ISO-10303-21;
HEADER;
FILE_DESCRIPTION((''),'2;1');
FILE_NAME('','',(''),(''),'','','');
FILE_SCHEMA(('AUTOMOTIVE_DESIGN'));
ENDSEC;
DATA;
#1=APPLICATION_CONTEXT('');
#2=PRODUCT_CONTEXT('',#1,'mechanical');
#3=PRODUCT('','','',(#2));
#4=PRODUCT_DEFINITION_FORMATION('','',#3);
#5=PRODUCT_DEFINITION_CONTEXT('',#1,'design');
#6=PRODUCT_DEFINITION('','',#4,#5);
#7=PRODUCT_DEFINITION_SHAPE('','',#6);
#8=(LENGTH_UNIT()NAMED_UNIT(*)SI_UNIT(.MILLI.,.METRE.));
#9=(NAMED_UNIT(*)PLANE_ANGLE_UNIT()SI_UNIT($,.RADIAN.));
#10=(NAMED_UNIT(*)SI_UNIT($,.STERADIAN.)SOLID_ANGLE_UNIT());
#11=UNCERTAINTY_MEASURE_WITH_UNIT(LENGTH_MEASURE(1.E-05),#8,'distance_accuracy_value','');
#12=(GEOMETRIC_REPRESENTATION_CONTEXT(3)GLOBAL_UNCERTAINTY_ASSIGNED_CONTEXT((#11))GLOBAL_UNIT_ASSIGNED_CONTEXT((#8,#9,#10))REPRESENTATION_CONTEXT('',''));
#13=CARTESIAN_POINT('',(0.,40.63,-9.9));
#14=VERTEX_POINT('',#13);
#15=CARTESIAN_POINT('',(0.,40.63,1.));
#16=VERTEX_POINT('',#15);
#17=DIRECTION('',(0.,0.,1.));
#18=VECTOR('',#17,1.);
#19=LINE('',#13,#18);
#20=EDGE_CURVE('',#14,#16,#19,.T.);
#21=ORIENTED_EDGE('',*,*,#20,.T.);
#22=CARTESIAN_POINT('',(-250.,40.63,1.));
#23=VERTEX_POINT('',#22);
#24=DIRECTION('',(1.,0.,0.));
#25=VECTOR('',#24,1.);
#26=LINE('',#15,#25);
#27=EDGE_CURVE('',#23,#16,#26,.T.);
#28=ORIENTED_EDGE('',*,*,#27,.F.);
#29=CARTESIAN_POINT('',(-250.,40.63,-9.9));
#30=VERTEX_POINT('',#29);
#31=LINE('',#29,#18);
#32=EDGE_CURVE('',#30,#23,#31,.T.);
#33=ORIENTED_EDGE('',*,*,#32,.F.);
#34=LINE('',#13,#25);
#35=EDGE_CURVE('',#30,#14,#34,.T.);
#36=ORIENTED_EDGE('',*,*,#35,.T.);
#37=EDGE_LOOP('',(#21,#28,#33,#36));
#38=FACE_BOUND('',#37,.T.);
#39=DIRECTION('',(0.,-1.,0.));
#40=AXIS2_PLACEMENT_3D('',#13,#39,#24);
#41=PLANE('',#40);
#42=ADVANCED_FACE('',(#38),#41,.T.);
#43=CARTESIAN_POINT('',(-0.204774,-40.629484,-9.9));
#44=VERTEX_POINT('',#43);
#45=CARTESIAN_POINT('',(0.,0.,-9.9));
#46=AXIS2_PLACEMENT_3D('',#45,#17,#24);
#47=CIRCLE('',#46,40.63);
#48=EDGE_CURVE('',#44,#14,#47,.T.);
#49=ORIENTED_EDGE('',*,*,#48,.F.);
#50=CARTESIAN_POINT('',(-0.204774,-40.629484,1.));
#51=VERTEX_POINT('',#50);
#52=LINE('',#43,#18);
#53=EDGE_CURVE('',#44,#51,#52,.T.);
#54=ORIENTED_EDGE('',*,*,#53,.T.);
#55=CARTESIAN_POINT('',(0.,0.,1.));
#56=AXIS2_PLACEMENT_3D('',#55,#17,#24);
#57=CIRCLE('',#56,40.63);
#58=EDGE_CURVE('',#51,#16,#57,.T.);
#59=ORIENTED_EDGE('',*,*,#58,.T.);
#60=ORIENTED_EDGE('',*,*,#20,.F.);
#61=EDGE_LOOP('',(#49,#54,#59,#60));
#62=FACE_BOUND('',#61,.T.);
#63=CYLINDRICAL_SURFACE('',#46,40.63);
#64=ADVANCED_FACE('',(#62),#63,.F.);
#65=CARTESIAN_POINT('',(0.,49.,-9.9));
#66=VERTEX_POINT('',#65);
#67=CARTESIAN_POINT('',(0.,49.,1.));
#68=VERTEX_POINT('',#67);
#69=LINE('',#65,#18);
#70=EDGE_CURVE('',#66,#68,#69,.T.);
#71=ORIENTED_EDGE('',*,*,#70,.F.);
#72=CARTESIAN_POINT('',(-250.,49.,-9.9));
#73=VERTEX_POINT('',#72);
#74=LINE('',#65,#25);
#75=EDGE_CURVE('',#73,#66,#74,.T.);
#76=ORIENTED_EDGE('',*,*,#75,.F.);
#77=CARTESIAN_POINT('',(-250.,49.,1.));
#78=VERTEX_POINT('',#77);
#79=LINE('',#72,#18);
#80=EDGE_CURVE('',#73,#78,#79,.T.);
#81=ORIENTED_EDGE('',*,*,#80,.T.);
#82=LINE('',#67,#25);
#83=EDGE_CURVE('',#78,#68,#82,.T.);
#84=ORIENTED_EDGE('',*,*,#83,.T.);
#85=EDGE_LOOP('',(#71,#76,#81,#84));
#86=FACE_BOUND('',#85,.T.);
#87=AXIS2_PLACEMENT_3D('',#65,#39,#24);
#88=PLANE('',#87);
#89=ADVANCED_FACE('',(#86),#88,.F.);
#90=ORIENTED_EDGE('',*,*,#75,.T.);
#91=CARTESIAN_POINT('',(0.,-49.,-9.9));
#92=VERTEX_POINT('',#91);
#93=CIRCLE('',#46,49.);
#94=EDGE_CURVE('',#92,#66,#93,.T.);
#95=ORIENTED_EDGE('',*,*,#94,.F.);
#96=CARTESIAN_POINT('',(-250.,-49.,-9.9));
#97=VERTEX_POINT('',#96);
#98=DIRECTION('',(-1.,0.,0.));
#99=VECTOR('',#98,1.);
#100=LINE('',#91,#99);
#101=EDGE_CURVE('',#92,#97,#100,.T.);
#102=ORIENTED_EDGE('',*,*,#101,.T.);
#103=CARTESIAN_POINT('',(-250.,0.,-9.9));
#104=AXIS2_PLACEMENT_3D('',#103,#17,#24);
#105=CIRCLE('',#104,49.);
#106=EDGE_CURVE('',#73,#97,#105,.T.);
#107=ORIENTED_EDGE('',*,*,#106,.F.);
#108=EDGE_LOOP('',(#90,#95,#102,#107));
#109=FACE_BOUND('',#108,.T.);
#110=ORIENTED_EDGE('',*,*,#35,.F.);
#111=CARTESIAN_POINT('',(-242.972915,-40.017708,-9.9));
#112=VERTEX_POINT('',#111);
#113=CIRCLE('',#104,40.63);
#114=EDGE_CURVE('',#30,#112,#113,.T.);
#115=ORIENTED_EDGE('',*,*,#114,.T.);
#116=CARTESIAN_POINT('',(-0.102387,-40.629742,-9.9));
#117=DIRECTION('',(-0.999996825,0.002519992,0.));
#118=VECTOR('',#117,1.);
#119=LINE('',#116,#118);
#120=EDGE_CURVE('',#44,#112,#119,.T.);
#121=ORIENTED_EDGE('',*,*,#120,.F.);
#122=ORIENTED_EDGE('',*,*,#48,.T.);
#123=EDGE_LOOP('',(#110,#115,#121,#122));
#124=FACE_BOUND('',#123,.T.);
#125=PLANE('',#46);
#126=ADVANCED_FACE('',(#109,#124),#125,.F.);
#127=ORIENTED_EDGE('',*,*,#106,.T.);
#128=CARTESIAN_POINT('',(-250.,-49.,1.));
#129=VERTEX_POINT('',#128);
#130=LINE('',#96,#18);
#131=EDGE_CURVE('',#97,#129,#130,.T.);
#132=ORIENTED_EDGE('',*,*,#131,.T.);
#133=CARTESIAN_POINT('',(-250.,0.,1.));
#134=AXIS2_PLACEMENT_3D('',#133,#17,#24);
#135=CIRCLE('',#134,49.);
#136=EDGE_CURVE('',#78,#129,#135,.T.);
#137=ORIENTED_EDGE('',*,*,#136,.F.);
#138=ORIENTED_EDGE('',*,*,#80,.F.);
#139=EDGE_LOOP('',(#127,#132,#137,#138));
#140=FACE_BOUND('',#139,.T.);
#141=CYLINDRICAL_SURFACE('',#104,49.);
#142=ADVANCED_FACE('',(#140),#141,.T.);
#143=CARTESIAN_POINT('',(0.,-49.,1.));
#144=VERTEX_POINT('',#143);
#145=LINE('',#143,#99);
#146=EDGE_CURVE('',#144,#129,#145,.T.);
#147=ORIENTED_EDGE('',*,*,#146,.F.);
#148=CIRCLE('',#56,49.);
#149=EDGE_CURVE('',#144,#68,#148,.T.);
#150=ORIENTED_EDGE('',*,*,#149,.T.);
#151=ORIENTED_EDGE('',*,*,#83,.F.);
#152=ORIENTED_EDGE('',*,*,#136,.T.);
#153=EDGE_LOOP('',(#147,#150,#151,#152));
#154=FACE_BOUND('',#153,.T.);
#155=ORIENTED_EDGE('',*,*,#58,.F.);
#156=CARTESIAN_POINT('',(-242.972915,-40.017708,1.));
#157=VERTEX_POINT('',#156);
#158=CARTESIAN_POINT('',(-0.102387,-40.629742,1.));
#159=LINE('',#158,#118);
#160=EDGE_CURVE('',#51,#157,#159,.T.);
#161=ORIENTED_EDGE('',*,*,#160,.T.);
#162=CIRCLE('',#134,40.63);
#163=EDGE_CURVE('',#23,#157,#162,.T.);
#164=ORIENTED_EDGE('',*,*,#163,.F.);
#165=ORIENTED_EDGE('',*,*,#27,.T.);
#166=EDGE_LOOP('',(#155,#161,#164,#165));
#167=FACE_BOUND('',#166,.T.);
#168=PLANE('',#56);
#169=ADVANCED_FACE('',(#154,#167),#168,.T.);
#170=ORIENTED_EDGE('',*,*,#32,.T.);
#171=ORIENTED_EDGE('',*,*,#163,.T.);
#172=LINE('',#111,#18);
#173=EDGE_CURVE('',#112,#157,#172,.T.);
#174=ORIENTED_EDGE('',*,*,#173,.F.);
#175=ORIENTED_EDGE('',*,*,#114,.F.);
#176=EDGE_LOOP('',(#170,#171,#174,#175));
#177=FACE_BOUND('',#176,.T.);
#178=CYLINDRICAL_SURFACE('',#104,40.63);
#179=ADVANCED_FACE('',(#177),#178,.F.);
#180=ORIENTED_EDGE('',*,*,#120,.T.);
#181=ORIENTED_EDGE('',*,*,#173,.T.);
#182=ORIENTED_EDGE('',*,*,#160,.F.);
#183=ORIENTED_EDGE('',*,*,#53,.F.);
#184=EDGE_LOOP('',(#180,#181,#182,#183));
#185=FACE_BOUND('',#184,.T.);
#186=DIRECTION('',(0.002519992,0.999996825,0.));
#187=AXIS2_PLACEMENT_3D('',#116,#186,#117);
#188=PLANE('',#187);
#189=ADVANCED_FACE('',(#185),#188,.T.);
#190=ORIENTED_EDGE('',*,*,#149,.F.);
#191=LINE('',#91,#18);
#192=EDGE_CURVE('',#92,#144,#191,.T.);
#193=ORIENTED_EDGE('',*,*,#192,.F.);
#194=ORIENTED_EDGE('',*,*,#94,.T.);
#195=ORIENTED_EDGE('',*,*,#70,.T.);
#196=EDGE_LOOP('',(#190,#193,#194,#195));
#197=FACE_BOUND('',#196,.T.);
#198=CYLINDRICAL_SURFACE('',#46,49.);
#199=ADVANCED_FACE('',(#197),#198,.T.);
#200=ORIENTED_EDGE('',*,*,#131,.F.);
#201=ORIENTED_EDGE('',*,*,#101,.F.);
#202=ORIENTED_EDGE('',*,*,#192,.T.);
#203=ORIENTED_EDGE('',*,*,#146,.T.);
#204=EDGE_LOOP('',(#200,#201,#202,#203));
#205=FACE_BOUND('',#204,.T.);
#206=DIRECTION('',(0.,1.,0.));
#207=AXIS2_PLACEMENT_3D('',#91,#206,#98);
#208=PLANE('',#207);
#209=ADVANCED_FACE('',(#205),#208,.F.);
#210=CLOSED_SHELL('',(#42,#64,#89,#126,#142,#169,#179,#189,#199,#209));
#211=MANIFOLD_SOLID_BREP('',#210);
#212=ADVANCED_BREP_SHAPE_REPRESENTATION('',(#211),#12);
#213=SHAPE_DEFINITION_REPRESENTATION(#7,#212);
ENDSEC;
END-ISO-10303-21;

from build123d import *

# Parameters (mm, degrees)
DODANIE_WYCI_GNI_CIE1_DEPTH      = 1
DODANIE_WYCI_GNI_CIE1_DEPTH_BACK = 9.9


with BuildPart() as part:
    # Szkic1 → Dodanie-wyciągnięcie1 (new body, two sides)
    with BuildSketch(Plane.XY) as dodanie_wyci_gni_cie1_sk:
        with BuildLine():
            Line((-250, -49), (0, -49))
            ThreePointArc((0, -49), (49, 0), (0, 49))
            Line((0, 49), (-250, 49))
            ThreePointArc((-250, 49), (-299, 0), (-250, -49))
        make_face()
        with BuildLine():
            ThreePointArc((0, 40.63), (40.63, 0), (0, -40.63))
            Line((0, -40.63), (-0.2047739, -40.62948397))
            Line((-0.2047739, -40.62948397), (-242.972914826, -40.017708255))
            ThreePointArc((-242.972914826, -40.017708255), (-290.476637622, -3.526855087), (-250, 40.63))
            Line((-250, 40.63), (0, 40.63))
        make_face(mode=Mode.SUBTRACT)
    extrude(amount=DODANIE_WYCI_GNI_CIE1_DEPTH)
    extrude(dodanie_wyci_gni_cie1_sk.sketch, amount=-DODANIE_WYCI_GNI_CIE1_DEPTH_BACK)


solid = part.part
